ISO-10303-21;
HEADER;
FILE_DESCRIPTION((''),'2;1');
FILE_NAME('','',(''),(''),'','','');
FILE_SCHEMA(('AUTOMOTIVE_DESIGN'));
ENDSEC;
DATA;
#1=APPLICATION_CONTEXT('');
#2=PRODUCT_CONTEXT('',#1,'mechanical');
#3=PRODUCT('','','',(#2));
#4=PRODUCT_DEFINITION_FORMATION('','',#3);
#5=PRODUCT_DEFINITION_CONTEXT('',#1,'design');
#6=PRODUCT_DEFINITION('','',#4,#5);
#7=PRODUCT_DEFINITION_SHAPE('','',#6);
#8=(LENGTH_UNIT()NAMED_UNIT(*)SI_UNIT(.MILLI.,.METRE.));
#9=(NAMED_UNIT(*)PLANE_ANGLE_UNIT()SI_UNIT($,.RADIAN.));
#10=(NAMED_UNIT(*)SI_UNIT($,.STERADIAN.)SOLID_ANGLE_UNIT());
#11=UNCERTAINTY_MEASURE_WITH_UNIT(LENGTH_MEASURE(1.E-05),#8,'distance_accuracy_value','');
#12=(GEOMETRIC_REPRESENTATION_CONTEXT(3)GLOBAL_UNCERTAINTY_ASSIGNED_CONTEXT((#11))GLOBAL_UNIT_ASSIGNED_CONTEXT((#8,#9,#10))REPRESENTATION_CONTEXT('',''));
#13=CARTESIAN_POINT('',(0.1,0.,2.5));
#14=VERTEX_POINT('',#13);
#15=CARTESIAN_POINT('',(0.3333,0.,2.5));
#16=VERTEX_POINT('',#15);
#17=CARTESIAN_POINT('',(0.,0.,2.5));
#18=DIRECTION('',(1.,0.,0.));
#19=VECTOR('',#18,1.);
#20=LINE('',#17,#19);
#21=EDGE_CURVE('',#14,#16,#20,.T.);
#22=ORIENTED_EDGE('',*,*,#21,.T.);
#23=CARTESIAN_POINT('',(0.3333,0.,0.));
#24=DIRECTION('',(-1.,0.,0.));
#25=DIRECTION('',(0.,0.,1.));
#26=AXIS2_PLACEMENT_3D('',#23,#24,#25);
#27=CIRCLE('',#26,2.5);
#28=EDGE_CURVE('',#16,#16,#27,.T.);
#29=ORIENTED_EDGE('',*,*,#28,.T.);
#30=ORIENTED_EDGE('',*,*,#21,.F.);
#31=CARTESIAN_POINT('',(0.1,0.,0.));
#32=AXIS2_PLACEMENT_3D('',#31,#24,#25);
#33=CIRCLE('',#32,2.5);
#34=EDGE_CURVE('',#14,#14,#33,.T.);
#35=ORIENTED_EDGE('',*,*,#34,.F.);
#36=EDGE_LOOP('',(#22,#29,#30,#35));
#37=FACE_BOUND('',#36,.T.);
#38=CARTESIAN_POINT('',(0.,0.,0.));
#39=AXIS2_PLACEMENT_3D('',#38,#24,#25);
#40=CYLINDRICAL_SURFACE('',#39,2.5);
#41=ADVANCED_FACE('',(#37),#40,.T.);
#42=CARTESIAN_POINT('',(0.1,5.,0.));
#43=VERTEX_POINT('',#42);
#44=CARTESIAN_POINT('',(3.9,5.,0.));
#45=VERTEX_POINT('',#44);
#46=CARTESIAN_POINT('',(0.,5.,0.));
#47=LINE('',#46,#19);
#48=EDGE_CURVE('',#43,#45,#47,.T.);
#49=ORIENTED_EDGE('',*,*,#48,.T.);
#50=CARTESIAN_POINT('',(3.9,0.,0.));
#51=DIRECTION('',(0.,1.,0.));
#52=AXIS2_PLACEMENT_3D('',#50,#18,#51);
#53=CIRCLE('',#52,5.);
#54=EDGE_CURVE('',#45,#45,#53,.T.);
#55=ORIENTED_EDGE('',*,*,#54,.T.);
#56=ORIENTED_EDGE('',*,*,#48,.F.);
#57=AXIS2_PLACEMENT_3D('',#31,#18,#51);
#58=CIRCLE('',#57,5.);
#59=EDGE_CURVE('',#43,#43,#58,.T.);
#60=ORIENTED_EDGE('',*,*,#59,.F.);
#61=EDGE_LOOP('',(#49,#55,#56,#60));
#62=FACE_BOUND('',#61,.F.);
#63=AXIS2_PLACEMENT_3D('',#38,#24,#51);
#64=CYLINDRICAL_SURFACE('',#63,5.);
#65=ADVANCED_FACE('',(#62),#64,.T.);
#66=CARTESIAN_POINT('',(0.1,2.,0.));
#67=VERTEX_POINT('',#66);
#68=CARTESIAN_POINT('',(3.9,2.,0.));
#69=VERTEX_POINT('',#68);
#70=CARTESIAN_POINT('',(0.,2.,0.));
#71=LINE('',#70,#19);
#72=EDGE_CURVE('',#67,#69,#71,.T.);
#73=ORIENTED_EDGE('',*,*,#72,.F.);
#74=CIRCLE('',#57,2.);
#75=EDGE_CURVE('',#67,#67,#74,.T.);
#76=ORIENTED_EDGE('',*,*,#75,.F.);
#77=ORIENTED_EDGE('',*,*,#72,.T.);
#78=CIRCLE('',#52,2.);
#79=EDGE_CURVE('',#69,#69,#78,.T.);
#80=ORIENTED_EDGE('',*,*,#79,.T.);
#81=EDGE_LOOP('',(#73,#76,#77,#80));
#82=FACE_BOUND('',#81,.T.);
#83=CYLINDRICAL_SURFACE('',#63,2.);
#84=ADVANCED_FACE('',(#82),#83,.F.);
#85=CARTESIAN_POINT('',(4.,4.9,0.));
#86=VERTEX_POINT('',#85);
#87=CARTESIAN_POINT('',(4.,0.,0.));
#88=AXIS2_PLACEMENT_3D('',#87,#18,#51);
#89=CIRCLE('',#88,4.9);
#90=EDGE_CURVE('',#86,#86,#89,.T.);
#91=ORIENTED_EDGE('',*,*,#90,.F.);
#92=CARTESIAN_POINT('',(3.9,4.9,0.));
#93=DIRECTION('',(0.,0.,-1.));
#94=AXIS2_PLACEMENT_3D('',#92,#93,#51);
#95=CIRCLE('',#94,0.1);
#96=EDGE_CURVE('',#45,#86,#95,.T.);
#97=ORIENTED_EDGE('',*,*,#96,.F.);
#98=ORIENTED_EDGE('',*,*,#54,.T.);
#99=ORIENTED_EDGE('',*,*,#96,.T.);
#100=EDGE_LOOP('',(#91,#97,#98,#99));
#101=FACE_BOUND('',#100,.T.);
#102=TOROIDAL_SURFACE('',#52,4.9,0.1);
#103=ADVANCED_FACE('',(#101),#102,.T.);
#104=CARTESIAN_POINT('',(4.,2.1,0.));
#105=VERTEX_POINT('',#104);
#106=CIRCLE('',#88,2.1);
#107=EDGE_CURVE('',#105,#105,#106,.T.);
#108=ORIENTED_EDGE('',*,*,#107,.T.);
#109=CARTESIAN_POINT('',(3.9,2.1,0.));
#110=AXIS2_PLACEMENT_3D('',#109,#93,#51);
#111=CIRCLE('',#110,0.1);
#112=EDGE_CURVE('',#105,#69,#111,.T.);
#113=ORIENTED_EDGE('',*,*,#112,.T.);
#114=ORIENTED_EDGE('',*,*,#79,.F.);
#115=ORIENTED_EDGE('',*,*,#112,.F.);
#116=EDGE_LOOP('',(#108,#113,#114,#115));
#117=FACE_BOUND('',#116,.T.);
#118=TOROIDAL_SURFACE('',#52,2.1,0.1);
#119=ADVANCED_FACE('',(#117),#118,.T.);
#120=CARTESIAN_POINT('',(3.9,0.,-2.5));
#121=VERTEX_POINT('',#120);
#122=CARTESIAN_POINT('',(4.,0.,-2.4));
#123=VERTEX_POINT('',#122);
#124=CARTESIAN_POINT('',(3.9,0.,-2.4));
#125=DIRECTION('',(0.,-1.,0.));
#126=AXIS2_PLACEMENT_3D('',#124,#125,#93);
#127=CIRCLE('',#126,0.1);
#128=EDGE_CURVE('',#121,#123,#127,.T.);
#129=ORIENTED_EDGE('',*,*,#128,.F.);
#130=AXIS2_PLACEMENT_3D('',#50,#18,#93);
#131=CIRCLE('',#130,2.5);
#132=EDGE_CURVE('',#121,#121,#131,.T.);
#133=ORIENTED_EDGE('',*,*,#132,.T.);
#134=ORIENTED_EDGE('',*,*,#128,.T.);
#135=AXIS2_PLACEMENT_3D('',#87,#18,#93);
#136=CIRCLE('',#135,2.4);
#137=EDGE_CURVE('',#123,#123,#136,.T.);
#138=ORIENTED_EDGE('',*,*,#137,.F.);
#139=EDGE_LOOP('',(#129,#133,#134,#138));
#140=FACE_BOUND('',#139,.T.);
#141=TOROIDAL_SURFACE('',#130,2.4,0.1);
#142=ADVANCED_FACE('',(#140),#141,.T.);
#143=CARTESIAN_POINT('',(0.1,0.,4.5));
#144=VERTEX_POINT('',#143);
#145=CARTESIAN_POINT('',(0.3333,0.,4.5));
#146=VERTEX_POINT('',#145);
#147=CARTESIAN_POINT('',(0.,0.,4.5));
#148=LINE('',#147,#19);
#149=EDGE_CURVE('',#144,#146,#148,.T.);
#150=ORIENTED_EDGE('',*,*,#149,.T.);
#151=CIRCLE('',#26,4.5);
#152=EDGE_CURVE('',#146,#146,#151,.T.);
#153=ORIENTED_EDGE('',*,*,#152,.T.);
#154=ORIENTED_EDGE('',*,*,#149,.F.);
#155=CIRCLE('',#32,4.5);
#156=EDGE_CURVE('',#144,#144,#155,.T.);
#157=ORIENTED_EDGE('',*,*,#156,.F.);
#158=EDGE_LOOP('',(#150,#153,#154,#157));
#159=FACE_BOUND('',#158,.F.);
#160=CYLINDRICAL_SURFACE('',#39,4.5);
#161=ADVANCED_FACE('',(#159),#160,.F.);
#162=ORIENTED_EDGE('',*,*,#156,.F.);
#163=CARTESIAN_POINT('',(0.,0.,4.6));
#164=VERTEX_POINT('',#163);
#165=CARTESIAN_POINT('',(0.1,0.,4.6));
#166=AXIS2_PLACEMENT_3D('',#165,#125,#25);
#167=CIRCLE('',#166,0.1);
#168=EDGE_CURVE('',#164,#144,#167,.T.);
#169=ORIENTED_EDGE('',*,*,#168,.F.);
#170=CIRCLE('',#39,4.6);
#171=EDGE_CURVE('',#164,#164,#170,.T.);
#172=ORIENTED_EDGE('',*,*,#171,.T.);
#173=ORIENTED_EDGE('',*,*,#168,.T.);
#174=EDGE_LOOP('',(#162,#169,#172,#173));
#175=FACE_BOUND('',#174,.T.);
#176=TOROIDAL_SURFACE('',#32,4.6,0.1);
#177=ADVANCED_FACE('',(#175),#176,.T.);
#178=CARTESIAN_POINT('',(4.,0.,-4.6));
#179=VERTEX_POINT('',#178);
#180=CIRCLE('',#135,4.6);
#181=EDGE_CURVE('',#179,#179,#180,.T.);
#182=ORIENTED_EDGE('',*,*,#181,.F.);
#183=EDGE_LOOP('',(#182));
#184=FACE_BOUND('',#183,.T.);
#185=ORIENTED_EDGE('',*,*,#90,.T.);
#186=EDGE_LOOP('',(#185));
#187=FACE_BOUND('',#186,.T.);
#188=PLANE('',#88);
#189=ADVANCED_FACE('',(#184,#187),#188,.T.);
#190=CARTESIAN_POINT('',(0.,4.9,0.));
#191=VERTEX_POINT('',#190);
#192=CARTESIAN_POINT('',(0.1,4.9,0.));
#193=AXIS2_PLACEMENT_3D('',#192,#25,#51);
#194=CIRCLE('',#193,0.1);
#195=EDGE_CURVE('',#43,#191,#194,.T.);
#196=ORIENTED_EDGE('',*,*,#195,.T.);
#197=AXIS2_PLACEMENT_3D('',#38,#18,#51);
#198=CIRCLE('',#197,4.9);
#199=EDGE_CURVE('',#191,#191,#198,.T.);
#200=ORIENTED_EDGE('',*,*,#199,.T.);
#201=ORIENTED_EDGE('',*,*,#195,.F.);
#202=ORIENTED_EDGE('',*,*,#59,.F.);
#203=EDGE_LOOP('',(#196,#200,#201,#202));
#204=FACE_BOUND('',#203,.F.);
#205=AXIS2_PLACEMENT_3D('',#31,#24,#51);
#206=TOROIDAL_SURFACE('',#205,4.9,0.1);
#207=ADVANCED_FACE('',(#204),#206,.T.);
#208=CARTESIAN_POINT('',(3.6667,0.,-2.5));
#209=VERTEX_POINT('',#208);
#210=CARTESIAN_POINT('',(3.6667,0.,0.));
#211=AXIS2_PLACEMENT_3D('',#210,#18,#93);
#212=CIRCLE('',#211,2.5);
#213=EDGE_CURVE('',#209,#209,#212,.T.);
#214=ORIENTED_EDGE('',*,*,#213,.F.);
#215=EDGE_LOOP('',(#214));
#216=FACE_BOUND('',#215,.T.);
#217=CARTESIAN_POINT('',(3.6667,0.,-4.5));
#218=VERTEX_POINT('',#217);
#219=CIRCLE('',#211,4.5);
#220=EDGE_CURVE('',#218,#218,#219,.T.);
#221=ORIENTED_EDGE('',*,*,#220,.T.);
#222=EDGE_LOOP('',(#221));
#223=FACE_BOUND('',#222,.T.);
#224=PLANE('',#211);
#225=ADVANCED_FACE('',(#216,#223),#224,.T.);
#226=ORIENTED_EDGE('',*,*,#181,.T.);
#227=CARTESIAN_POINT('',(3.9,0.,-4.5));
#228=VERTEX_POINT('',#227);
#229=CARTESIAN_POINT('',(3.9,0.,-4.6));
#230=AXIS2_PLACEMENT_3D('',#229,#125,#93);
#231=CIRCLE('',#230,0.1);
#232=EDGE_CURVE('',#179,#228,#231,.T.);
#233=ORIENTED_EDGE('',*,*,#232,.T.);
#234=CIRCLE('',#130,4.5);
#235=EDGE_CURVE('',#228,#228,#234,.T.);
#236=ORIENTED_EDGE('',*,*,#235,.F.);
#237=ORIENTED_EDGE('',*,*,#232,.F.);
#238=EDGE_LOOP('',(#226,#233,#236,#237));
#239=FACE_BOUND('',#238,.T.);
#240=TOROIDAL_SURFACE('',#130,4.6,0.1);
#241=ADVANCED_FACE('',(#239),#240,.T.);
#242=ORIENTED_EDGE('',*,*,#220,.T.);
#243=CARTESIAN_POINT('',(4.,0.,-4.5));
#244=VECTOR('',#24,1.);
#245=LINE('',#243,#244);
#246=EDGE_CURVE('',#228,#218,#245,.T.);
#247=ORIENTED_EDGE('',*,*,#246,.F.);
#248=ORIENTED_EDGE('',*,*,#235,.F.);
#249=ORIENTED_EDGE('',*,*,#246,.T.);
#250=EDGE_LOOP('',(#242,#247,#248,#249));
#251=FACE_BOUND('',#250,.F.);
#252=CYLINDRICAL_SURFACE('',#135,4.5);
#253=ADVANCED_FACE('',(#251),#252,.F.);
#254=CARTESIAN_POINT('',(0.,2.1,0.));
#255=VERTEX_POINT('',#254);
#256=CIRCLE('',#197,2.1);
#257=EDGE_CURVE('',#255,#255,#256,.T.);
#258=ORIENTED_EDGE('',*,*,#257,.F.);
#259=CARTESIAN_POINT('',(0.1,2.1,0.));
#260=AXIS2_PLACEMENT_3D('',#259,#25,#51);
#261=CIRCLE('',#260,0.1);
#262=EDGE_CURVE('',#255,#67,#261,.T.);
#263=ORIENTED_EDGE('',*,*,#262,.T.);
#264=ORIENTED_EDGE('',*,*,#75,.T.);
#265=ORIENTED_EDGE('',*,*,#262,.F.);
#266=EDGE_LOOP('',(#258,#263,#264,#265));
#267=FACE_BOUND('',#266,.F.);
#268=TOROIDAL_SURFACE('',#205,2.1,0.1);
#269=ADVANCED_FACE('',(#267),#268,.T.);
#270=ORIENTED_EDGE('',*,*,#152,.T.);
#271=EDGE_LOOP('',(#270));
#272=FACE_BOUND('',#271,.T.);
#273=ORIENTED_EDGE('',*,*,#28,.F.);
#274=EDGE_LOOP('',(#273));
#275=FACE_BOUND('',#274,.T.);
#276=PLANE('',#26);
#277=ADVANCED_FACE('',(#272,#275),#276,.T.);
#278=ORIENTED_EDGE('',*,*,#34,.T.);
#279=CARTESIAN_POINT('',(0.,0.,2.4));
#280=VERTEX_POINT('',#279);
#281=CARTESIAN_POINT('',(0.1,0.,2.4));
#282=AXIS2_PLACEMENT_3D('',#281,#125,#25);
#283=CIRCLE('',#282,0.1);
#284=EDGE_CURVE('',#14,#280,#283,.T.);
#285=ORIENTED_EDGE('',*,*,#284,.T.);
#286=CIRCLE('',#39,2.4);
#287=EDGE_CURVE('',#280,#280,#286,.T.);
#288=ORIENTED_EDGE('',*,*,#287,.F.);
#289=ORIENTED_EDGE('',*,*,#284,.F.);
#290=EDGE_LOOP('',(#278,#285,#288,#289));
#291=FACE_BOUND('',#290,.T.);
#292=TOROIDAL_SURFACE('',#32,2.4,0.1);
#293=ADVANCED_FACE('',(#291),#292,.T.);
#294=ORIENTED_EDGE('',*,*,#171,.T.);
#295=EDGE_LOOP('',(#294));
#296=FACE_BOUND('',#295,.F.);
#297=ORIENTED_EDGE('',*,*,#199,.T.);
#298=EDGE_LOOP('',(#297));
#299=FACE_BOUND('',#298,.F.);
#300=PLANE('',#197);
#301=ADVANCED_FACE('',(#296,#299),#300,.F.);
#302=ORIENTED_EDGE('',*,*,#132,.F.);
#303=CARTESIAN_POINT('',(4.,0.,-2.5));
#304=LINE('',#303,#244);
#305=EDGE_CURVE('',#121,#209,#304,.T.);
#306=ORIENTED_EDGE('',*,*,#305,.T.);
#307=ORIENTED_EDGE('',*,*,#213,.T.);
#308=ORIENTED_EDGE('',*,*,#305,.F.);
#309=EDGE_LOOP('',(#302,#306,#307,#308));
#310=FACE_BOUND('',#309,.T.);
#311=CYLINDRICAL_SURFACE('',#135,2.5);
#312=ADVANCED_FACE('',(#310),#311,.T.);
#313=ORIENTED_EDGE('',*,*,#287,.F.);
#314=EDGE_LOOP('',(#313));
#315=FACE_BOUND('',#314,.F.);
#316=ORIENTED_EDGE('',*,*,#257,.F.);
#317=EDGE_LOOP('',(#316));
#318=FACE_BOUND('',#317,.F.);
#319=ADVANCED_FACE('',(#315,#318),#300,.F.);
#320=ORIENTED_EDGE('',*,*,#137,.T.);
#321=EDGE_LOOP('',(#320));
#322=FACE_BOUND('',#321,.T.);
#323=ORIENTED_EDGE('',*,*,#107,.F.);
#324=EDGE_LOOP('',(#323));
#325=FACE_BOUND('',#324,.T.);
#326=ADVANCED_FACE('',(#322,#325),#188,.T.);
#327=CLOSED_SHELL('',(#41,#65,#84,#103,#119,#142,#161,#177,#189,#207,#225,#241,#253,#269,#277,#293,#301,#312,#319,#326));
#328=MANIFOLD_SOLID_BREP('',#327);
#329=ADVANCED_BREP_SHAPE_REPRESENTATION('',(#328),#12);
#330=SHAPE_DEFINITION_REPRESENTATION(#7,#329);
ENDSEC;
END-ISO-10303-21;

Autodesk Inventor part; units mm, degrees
ref_plane "YZ Plane" through (0, 0, 0) normal (1, 0, 0) x (0, 1, 0)
ref_plane "XZ Plane" through (0, 0, 0) normal (0, 1, 0) x (-1, 0, 0)
ref_plane "XY Plane" through (0, 0, 0) normal (0, 0, 1) x (1, 0, 0)
sketch "Эскиз1" plane through (0, 0, 0) normal (1, 0, 0) x (0, 1, 0)
  circle A0 centre (0, 0) radius 2
  circle A1 centre (0, 0) radius 5
  dimension "d0" = 4
  dimension "d1" = 10
extrude "Выдавливание1" add sketch "Эскиз1" along normal blind 4
sketch "Эскиз2" plane through (4, 0, 0) normal (1, 0, 0) x (0, 0, -1)
  circle A0 centre (0, 0) radius 2.5
  circle A1 centre (0, 0) radius 4.5
  circle A2 centre (0, 0) radius 5 projected
  circle A3 centre (0, 0) radius 2 projected
  dimension "d4" = 5
  dimension "d5" = 9
  dimension "d15" = 10
  dimension "d16" = 4
extrude "Выдавливание2" cut sketch "Эскиз2" against normal blind 0.3333 contours A1
sketch "Эскиз3" plane through (0, 0, 0) normal (-1, 0, 0) x (0, 0, 1)
  circle A0 centre (0, 0) radius 2.5 projected
  circle A1 centre (0, 0) radius 4.5 projected
  circle A2 centre (0, 0) radius 2.5
  circle A3 centre (0, 0) radius 4.5
extrude "Выдавливание3" cut sketch "Эскиз3" against normal blind 0.3333
fillet "Сопряжение1" radius 0.1 8 edges at (4, -5, 0) (4, 0, 4.5) (4, 0, 2.5) (4, -2, 0) (0, -5, 0) (0, 0, -4.5) (0, 0, -2.5) (0, -2, 0)
equation "\"d2\" = d0"
equation "\"d4\" = 1.25 * d16"
equation "\"d5\" = 0.9 * d15"
equation "\"d6\" = 0.0833333 * d0"
equation "\"d8\" = 0.0833333 * d0"
properties part number "Подшипник 685"
